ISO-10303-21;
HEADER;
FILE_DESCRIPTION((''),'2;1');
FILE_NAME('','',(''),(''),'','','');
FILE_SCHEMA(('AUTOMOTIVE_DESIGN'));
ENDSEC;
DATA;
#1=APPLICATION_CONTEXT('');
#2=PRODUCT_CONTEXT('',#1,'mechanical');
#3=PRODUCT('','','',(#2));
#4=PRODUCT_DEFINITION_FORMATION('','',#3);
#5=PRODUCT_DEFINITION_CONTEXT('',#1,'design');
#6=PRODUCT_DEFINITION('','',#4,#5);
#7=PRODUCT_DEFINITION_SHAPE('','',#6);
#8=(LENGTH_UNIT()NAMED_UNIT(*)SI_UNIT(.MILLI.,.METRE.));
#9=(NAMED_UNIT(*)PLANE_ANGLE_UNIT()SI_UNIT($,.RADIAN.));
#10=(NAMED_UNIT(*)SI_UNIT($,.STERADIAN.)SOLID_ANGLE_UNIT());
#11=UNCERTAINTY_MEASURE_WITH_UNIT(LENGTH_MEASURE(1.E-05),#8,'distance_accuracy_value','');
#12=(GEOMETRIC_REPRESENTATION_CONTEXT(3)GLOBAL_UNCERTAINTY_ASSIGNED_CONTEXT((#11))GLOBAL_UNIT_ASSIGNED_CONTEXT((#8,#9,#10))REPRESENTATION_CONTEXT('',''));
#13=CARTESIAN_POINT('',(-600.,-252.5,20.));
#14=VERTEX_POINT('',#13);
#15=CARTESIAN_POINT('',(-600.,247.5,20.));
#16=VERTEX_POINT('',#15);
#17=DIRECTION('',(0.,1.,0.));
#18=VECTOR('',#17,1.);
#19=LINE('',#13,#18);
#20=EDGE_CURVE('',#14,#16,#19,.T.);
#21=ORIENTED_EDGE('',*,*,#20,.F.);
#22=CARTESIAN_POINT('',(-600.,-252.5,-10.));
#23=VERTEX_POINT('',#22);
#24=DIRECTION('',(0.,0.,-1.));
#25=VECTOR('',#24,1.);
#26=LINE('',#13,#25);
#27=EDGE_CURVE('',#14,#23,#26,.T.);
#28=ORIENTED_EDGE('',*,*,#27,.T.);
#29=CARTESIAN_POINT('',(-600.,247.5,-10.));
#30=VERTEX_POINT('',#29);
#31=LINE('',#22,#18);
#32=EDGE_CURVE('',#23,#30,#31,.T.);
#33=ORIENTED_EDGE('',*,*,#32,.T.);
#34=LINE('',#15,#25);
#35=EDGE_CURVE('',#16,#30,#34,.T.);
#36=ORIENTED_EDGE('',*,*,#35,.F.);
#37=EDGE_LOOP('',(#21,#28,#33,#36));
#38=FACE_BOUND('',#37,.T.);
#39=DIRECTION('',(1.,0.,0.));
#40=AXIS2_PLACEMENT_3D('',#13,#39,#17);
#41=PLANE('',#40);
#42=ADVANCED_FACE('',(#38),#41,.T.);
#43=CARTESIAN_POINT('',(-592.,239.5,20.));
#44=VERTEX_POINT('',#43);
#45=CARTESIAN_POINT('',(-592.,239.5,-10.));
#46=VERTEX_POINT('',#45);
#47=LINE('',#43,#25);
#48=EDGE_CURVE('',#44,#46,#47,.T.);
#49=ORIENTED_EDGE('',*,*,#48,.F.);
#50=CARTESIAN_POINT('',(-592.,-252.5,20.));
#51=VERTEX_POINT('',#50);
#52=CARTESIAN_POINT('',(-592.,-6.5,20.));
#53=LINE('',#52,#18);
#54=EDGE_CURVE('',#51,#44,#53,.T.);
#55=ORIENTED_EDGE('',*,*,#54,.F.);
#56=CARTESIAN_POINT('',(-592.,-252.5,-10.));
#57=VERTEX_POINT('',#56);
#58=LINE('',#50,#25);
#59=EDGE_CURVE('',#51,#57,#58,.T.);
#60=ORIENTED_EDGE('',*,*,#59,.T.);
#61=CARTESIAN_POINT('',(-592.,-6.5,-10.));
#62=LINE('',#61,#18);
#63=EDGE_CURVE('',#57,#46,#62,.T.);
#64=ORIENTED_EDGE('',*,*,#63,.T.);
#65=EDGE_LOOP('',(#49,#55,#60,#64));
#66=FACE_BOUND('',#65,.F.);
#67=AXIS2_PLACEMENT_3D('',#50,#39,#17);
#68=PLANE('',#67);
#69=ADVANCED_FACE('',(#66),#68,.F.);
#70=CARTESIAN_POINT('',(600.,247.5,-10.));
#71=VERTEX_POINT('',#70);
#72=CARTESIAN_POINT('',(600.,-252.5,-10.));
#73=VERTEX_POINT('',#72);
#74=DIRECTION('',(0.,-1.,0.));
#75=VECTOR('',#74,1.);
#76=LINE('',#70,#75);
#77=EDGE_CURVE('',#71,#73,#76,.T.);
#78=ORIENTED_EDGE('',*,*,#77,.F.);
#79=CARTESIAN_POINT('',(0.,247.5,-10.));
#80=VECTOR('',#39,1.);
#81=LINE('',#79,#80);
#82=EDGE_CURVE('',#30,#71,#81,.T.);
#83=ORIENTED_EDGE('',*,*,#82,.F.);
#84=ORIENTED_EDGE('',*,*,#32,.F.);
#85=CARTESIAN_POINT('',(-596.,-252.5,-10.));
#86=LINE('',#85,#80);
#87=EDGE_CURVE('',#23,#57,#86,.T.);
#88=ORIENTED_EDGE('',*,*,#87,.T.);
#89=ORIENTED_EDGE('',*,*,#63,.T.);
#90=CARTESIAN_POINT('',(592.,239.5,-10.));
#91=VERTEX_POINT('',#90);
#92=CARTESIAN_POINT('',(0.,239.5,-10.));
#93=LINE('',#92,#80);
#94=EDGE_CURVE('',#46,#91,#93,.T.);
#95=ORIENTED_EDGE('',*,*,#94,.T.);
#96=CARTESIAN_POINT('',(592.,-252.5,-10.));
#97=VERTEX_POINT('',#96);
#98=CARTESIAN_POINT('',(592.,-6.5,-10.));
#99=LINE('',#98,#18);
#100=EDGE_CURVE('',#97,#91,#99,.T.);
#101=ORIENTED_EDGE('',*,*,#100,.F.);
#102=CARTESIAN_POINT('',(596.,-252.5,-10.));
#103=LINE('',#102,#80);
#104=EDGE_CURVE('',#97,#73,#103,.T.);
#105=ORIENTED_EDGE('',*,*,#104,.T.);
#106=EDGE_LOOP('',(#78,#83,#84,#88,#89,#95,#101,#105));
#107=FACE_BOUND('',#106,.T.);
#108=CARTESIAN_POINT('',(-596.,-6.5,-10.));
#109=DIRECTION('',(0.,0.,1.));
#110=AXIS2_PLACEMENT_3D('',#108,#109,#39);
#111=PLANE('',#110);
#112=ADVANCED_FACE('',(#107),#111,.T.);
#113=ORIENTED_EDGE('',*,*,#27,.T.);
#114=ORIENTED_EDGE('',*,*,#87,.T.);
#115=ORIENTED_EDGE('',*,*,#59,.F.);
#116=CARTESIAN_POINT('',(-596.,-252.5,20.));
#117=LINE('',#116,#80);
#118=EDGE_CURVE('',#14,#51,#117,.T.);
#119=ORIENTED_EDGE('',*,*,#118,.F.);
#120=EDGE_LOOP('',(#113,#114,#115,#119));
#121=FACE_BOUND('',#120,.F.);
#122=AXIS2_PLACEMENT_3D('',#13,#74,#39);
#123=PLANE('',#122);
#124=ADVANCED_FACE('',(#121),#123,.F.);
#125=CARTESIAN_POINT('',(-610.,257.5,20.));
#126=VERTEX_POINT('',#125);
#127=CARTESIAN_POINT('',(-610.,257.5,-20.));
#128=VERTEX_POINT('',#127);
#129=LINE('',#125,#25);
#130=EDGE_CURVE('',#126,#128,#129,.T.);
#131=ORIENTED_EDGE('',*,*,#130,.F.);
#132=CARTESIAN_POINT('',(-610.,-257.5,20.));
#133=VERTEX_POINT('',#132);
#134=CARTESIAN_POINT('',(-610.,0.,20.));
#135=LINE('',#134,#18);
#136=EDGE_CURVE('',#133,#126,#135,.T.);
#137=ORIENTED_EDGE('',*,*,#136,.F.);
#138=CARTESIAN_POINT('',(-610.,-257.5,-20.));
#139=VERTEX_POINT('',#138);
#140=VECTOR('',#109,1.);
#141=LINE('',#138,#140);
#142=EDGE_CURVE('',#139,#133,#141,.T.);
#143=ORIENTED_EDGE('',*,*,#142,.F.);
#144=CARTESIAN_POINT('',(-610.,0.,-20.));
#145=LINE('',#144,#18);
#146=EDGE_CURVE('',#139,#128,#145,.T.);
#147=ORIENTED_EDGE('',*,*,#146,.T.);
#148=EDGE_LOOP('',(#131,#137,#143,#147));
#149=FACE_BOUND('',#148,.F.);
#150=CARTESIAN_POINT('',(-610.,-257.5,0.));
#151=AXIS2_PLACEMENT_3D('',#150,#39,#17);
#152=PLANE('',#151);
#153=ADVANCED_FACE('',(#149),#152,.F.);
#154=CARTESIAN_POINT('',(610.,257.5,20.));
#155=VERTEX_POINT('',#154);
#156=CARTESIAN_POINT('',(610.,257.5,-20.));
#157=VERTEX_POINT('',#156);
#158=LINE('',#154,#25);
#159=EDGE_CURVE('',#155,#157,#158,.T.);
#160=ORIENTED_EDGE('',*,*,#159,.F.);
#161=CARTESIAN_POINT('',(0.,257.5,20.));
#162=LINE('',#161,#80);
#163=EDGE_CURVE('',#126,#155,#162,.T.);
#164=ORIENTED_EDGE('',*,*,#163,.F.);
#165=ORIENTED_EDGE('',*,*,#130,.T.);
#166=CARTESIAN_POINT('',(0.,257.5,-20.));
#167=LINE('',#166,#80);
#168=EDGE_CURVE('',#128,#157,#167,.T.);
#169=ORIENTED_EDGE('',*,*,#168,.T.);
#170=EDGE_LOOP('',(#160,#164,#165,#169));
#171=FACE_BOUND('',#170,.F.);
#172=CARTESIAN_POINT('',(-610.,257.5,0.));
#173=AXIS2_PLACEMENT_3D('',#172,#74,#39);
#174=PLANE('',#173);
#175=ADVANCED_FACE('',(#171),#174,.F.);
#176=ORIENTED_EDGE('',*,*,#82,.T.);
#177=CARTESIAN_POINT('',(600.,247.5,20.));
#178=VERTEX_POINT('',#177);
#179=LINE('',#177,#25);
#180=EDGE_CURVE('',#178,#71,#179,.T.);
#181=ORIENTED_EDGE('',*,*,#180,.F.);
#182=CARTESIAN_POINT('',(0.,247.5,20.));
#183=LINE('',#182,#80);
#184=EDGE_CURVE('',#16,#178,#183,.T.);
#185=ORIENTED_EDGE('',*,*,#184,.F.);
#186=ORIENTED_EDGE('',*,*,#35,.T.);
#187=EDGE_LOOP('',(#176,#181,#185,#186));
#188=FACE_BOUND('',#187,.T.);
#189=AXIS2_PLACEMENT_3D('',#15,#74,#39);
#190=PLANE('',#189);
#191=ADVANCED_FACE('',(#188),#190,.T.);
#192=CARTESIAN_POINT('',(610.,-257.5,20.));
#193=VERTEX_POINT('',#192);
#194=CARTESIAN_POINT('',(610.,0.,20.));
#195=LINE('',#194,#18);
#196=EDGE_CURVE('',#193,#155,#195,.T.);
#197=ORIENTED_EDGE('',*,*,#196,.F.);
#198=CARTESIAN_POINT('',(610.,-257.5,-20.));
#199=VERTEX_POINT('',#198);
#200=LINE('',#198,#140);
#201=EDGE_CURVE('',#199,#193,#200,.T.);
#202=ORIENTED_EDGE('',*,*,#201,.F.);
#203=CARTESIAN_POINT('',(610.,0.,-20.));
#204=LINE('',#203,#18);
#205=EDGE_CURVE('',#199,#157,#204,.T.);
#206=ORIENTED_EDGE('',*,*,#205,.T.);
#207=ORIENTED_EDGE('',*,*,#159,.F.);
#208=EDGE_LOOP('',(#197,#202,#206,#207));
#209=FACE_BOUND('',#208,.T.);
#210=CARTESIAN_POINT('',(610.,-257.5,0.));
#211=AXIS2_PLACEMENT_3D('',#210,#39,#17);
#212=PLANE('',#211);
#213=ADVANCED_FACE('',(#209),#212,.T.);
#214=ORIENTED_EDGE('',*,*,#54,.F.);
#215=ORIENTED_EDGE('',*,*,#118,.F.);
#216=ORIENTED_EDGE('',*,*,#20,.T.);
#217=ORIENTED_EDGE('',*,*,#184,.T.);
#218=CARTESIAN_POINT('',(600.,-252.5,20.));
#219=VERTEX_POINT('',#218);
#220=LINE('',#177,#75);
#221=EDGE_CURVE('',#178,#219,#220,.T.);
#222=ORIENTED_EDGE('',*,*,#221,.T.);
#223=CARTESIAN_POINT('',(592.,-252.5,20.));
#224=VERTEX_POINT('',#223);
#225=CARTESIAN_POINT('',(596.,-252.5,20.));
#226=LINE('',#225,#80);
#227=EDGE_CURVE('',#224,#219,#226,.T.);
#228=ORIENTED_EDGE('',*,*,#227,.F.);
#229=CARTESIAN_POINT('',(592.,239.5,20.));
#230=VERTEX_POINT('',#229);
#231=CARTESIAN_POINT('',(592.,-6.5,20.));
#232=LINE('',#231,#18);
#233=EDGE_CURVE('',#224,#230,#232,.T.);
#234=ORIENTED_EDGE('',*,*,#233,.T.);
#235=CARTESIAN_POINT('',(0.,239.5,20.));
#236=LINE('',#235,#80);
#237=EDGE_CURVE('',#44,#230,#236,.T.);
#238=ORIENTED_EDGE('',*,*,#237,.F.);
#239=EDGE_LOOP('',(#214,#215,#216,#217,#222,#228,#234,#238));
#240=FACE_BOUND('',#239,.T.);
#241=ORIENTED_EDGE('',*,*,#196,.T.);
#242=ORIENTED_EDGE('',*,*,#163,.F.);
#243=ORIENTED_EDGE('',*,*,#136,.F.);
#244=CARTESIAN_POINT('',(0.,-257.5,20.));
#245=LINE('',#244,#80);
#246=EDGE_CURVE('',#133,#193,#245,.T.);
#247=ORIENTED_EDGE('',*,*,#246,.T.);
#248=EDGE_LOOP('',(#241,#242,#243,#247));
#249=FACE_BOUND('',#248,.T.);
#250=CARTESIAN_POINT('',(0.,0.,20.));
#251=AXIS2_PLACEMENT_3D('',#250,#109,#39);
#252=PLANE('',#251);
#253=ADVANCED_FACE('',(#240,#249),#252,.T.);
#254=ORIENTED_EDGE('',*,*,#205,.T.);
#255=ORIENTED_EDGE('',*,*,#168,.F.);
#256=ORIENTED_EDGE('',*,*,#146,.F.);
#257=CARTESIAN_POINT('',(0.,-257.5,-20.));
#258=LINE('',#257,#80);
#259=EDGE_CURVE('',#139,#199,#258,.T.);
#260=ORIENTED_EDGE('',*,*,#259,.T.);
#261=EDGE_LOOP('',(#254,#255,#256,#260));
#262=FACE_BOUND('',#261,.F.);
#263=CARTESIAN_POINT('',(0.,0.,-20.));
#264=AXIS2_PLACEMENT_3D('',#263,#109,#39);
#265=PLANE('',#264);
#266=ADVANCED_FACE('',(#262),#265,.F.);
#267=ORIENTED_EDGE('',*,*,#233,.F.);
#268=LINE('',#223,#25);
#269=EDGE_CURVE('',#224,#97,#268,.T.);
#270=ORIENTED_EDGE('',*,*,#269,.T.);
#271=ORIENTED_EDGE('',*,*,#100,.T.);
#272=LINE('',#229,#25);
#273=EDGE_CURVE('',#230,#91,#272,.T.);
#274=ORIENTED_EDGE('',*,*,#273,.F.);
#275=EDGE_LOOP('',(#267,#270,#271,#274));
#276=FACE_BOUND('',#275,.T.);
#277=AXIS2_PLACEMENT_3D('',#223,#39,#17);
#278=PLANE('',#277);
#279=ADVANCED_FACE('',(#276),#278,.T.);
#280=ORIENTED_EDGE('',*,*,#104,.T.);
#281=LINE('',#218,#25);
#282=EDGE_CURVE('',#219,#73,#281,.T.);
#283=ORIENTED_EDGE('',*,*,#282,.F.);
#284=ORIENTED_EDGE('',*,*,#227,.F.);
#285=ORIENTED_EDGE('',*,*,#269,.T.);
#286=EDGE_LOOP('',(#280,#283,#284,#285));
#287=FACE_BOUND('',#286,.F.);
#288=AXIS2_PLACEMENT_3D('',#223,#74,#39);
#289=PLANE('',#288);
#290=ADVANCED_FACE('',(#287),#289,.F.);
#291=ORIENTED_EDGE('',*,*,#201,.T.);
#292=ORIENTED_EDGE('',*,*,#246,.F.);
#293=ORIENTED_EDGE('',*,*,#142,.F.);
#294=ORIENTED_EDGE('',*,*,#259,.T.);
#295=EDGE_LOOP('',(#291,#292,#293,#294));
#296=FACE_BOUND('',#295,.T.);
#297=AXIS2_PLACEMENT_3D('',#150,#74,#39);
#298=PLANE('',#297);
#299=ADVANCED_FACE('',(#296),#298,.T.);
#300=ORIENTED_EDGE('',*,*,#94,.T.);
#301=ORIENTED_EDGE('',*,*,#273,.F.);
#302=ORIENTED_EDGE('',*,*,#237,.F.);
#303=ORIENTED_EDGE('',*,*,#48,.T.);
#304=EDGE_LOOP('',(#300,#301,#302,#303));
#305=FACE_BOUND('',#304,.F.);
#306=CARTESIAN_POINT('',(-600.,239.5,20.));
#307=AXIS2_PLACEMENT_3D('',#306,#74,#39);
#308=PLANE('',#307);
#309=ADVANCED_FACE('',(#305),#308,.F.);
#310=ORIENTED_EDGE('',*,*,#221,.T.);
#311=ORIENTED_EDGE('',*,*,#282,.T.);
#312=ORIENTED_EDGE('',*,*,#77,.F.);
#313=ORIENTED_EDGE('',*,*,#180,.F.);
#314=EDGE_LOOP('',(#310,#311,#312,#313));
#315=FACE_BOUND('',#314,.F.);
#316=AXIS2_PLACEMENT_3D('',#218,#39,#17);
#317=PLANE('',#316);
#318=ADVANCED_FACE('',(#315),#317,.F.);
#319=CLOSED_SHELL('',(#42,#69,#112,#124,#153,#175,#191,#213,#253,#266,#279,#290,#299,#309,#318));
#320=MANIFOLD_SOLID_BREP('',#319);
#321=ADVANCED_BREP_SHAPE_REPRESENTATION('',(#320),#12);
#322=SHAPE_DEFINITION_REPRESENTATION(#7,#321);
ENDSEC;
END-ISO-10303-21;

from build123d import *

# Parameters (mm, degrees)
F0_W     = 1220
F0_H     = 515
F1_DEPTH = 20
F2_W     = 1200
F2_H     = 8
F3_DEPTH = 30
F4_W     = 8
F4_H     = 492
F5_DEPTH = 30
F6_W     = 8
F6_H     = 492
F7_DEPTH = 30


with BuildPart() as f1:
    # F0 (on Top) → F1 (new body, symmetric)
    with BuildSketch(Plane.XY):
        Rectangle(F0_W, F0_H)
    extrude(amount=F1_DEPTH, both=True)

    # F2 (on face) → F3 (cut)
    with BuildSketch(Plane.XY.offset(20)):
        with Locations((0, 243.5)):
            Rectangle(F2_W, F2_H)
    extrude(amount=-F3_DEPTH, mode=Mode.SUBTRACT)

    # F4 (on face) → F5 (cut)
    with BuildSketch(Plane.XY.offset(20)):
        with Locations((-596, -6.5)):
            Rectangle(F4_W, F4_H)
    extrude(amount=-F5_DEPTH, mode=Mode.SUBTRACT)

    # F6 (on face) → F7 (cut)
    with BuildSketch(Plane.XY.offset(20)):
        with Locations((596, -6.5)):
            Rectangle(F6_W, F6_H)
    extrude(amount=-F7_DEPTH, mode=Mode.SUBTRACT)


solid = f1.part
